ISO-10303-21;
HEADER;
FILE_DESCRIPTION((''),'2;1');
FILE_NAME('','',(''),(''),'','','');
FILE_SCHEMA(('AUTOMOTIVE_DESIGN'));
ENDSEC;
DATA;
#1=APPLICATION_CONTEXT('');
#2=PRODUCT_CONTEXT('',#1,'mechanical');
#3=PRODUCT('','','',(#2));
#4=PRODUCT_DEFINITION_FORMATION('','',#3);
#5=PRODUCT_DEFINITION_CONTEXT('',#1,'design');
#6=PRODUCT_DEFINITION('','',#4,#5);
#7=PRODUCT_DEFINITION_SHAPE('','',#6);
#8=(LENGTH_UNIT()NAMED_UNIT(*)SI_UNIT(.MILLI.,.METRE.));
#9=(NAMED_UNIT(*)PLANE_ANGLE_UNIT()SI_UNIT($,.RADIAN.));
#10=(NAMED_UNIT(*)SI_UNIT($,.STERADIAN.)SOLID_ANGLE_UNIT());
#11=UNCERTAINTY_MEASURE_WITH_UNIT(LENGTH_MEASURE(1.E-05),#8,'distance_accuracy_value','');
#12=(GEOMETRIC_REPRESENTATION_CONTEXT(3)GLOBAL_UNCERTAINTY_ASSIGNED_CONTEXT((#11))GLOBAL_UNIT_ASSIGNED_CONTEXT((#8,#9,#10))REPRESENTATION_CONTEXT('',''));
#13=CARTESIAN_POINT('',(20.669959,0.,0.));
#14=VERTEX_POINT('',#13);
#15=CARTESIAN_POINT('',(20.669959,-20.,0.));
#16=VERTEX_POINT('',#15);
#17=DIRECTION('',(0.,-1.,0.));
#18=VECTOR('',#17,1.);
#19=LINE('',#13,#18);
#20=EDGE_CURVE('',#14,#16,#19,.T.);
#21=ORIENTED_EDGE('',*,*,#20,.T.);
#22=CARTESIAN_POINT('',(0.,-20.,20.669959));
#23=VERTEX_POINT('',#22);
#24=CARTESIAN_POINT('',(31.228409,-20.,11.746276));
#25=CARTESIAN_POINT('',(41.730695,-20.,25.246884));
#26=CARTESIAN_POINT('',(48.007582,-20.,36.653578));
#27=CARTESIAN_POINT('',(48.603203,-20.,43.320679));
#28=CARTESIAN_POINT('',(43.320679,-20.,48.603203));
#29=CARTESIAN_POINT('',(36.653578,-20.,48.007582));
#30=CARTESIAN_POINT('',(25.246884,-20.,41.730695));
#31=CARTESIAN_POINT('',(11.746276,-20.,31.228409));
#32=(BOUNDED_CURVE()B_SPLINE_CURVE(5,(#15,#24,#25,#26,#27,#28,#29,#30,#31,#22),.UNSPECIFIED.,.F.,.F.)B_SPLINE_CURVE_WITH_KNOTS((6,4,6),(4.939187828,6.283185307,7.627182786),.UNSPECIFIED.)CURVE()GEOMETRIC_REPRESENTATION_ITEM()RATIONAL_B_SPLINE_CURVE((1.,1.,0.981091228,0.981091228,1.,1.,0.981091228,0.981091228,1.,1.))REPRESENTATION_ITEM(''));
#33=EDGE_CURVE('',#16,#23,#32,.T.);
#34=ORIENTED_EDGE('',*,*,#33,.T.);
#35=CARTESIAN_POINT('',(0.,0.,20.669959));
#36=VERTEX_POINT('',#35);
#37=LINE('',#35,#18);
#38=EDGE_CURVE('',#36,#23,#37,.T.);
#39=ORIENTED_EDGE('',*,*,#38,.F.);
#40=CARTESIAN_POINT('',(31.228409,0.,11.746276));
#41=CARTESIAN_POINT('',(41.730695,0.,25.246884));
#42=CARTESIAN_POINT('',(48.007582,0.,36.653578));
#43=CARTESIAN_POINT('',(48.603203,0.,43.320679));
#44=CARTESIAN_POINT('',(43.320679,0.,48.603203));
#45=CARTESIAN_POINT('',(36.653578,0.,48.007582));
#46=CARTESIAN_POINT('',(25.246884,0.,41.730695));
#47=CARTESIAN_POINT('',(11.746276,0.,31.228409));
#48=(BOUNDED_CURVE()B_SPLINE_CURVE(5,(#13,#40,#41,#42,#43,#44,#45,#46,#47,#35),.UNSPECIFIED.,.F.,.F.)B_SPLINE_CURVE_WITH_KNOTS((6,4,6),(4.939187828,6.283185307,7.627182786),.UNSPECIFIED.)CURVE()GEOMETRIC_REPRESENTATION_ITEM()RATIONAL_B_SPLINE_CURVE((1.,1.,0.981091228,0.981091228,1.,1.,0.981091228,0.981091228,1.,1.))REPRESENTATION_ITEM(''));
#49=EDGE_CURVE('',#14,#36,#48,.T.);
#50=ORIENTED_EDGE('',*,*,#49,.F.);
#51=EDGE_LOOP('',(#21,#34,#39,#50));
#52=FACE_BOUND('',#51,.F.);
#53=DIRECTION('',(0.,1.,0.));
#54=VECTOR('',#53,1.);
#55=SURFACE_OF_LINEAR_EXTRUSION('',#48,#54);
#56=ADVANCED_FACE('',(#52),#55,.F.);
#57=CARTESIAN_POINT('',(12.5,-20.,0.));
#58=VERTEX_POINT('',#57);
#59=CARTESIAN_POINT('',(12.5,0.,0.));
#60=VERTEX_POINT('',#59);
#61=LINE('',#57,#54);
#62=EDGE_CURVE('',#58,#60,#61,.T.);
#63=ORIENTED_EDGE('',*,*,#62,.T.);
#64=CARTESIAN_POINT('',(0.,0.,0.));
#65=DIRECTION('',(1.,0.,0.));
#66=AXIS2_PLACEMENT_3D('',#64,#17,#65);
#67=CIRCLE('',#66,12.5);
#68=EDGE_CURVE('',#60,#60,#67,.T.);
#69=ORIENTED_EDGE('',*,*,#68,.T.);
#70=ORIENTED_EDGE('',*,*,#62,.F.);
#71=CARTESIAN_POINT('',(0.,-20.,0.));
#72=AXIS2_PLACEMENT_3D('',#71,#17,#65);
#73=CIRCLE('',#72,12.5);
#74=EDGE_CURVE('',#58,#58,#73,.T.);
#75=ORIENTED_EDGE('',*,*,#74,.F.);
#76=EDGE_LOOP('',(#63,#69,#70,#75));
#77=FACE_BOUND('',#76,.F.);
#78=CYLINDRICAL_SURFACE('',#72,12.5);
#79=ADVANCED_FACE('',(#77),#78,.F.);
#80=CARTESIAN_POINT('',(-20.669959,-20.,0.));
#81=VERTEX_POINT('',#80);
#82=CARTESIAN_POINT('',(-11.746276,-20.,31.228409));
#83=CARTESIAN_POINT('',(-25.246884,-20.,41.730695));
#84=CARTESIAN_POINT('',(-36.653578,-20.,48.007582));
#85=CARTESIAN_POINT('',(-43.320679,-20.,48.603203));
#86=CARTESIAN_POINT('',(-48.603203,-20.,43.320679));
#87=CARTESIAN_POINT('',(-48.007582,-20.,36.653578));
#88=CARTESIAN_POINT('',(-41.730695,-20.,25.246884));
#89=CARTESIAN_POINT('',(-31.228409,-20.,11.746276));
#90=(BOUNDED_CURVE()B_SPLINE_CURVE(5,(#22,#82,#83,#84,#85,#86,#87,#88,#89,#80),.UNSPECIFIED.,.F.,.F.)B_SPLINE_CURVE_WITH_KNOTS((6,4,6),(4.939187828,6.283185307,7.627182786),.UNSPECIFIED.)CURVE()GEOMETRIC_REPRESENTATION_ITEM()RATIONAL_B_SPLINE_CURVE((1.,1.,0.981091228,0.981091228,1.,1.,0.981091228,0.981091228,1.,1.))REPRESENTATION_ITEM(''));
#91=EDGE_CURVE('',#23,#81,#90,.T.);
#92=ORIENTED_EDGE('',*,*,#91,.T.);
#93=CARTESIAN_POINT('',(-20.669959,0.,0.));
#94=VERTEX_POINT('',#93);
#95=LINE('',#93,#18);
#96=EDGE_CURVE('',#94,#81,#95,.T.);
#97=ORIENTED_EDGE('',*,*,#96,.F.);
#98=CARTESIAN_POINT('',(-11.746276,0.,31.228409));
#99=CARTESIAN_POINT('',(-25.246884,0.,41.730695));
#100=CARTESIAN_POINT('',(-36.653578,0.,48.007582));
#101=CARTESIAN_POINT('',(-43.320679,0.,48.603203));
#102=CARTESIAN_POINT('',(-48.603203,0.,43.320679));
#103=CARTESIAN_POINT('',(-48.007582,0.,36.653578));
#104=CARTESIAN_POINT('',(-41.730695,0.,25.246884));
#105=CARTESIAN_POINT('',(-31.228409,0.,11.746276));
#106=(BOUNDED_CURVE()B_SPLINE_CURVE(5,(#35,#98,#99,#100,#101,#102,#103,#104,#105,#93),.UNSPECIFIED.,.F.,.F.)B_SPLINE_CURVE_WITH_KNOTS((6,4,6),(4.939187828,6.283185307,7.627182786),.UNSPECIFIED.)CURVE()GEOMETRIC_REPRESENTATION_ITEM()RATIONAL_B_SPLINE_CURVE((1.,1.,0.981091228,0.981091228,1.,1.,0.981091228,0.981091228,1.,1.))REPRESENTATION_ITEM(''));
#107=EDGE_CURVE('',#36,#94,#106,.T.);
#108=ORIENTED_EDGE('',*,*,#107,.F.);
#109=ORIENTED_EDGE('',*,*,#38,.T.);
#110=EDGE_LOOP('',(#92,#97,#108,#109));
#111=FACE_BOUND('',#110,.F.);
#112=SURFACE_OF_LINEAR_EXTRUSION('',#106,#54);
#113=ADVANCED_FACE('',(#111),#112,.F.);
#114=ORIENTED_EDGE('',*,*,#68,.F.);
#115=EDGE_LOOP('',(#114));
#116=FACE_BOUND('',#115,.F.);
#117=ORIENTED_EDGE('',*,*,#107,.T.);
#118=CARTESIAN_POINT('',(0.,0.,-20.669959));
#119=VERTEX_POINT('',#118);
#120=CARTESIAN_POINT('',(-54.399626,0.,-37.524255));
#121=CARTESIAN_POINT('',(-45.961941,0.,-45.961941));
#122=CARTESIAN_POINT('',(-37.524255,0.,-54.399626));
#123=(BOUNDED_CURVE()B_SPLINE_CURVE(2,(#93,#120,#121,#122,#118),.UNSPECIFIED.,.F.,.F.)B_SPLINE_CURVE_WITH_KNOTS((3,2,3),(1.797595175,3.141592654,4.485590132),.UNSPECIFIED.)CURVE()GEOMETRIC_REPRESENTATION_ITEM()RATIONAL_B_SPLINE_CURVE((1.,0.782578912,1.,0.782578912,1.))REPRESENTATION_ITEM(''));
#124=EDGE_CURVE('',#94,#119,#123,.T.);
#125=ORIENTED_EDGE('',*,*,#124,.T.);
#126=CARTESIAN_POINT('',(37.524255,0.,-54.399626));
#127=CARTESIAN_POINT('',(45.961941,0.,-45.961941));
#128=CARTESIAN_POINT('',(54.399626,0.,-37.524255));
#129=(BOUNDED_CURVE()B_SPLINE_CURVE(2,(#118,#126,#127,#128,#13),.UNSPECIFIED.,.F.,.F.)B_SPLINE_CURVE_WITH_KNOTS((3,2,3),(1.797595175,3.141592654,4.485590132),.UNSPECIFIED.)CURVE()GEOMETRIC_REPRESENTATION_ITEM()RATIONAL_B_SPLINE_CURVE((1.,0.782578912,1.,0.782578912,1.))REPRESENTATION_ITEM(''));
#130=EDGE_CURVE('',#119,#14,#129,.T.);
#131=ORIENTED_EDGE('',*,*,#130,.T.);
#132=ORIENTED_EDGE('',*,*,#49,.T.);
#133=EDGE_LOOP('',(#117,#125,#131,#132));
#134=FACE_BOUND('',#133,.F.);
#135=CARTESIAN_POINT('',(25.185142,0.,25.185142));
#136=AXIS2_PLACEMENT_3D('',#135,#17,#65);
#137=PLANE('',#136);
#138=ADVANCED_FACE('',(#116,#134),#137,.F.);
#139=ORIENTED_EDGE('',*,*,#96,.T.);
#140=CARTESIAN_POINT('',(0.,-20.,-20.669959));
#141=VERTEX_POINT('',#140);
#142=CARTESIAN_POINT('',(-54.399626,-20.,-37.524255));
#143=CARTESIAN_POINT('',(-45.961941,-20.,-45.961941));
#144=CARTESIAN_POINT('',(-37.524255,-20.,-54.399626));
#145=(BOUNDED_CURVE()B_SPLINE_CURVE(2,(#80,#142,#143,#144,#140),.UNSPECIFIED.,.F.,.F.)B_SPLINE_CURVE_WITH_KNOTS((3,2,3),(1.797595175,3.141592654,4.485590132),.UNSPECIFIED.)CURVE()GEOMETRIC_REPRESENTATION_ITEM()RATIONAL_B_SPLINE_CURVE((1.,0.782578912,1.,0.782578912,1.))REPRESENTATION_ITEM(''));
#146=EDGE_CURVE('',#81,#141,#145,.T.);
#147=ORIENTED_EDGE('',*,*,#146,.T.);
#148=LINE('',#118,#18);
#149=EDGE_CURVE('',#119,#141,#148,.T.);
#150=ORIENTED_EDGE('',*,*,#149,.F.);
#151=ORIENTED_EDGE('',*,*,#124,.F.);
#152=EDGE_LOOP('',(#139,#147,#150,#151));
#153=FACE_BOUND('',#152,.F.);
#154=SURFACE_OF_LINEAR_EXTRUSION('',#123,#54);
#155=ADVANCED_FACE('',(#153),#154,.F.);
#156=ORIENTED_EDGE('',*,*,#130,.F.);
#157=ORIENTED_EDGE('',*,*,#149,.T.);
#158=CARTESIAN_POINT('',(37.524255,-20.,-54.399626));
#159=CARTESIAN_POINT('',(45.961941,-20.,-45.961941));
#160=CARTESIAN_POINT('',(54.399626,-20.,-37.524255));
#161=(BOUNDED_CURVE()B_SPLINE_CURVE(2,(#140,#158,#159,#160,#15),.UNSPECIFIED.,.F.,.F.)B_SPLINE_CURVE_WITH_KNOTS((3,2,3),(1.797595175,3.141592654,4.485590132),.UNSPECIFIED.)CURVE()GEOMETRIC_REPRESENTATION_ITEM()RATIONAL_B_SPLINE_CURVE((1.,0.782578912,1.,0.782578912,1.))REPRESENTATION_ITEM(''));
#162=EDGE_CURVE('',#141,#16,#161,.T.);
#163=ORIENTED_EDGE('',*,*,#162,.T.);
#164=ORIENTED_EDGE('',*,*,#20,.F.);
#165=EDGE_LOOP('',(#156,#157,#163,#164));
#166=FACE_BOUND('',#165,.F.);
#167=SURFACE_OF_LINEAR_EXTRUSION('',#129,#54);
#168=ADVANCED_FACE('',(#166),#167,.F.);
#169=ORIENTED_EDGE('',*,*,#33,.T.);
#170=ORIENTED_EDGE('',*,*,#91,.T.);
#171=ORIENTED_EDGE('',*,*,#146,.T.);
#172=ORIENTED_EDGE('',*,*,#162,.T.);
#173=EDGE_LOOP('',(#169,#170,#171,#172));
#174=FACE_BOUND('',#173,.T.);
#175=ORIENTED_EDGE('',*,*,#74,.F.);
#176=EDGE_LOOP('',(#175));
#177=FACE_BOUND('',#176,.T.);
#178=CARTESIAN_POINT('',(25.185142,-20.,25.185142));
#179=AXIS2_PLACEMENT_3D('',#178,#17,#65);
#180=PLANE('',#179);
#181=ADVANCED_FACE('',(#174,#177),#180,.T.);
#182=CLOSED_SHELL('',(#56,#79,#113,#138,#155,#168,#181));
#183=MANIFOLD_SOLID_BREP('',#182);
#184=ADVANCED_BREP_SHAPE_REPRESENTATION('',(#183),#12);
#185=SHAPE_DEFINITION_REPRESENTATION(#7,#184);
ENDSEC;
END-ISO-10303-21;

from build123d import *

# Parameters (mm, degrees)
F1_DEPTH = 20
F2_R     = 12.5
F3_DEPTH = 20


with BuildPart() as f1:
    # F0 (on Front) → F1 (new body)
    with BuildSketch(Plane.XZ):
        with BuildLine():
            add(Edge.make_bspline(
                [(20.6699586601, 0), (54.3996263023, 37.5242552519), (45.9619407771, 45.9619407771)],
                knots=[4.9391878284, 4.9391878284, 4.9391878284, 6.2831853072, 6.2831853072, 6.2831853072], degree=2, weights=[1, 0.7825789119, 1]))
            add(Edge.make_bspline(
                [(45.9619407771, 45.9619407771), (37.5242552519, 54.3996263023), (0, 20.6699586601)],
                knots=[0, 0, 0, 1.3439974787, 1.3439974787, 1.3439974787], degree=2, weights=[1, 0.7825789119, 1]))
            add(Edge.make_bspline(
                [(20.6699586601, 0), (10.8853628447, 10.8853628447), (0, 20.6699586601)],
                knots=[4.4855901323, 4.4855901323, 4.4855901323, 4.9391878284, 4.9391878284, 4.9391878284], degree=2, weights=[1, 0.9743911957, 1]))
        make_face()
        with BuildLine():
            add(Edge.make_bspline(
                [(20.6699586601, 0), (10.8853628447, 10.8853628447), (0, 20.6699586601)],
                knots=[4.4855901323, 4.4855901323, 4.4855901323, 4.9391878284, 4.9391878284, 4.9391878284], degree=2, weights=[1, 0.9743911957, 1]))
            add(Edge.make_bspline(
                [(0, 20.6699586601), (-10.8853628447, 10.8853628447), (-20.6699586601, 0)],
                knots=[1.3439974787, 1.3439974787, 1.3439974787, 1.7975951748, 1.7975951748, 1.7975951748], degree=2, weights=[1, 0.9743911957, 1]))
            add(Edge.make_bspline(
                [(-20.6699586601, 0), (-10.8853628447, -10.8853628447), (0, -20.6699586601)],
                knots=[1.3439974787, 1.3439974787, 1.3439974787, 1.7975951748, 1.7975951748, 1.7975951748], degree=2, weights=[1, 0.9743911957, 1]))
            add(Edge.make_bspline(
                [(0, -20.6699586601), (10.8853628447, -10.8853628447), (20.6699586601, 0)],
                knots=[4.4855901323, 4.4855901323, 4.4855901323, 4.9391878284, 4.9391878284, 4.9391878284], degree=2, weights=[1, 0.9743911957, 1]))
        make_face()
        with BuildLine():
            add(Edge.make_bspline(
                [(0, 20.6699586601), (-10.8853628447, 10.8853628447), (-20.6699586601, 0)],
                knots=[1.3439974787, 1.3439974787, 1.3439974787, 1.7975951748, 1.7975951748, 1.7975951748], degree=2, weights=[1, 0.9743911957, 1]))
            add(Edge.make_bspline(
                [(0, 20.6699586601), (-37.5242552519, 54.3996263023), (-45.9619407771, 45.9619407771)],
                knots=[4.9391878284, 4.9391878284, 4.9391878284, 6.2831853072, 6.2831853072, 6.2831853072], degree=2, weights=[1, 0.7825789119, 1]))
            add(Edge.make_bspline(
                [(-45.9619407771, 45.9619407771), (-54.3996263023, 37.5242552519), (-20.6699586601, 0)],
                knots=[0, 0, 0, 1.3439974787, 1.3439974787, 1.3439974787], degree=2, weights=[1, 0.7825789119, 1]))
        make_face()
        with BuildLine():
            add(Edge.make_bspline(
                [(0, -20.6699586601), (37.5242552519, -54.3996263023), (45.9619407771, -45.9619407771), (54.3996263023, -37.5242552519), (20.6699586601, 0)],
                knots=[1.7975951748, 1.7975951748, 1.7975951748, 3.1415926536, 3.1415926536, 4.4855901323, 4.4855901323, 4.4855901323], degree=2, weights=[1, 0.7825789119, 1, 0.7825789119, 1]))
            add(Edge.make_bspline(
                [(0, -20.6699586601), (10.8853628447, -10.8853628447), (20.6699586601, 0)],
                knots=[4.4855901323, 4.4855901323, 4.4855901323, 4.9391878284, 4.9391878284, 4.9391878284], degree=2, weights=[1, 0.9743911957, 1]))
        make_face()
        with BuildLine():
            add(Edge.make_bspline(
                [(-20.6699586601, 0), (-10.8853628447, -10.8853628447), (0, -20.6699586601)],
                knots=[1.3439974787, 1.3439974787, 1.3439974787, 1.7975951748, 1.7975951748, 1.7975951748], degree=2, weights=[1, 0.9743911957, 1]))
            add(Edge.make_bspline(
                [(-20.6699586601, 0), (-54.3996263023, -37.5242552519), (-45.9619407771, -45.9619407771), (-37.5242552519, -54.3996263023), (0, -20.6699586601)],
                knots=[1.7975951748, 1.7975951748, 1.7975951748, 3.1415926536, 3.1415926536, 4.4855901323, 4.4855901323, 4.4855901323], degree=2, weights=[1, 0.7825789119, 1, 0.7825789119, 1]))
        make_face()
    extrude(amount=F1_DEPTH)

    # F2 (on face) → F3 (cut)
    with BuildSketch(Plane.XZ.offset(20)):
        Circle(F2_R)
    extrude(amount=-F3_DEPTH, mode=Mode.SUBTRACT)


solid = f1.part
